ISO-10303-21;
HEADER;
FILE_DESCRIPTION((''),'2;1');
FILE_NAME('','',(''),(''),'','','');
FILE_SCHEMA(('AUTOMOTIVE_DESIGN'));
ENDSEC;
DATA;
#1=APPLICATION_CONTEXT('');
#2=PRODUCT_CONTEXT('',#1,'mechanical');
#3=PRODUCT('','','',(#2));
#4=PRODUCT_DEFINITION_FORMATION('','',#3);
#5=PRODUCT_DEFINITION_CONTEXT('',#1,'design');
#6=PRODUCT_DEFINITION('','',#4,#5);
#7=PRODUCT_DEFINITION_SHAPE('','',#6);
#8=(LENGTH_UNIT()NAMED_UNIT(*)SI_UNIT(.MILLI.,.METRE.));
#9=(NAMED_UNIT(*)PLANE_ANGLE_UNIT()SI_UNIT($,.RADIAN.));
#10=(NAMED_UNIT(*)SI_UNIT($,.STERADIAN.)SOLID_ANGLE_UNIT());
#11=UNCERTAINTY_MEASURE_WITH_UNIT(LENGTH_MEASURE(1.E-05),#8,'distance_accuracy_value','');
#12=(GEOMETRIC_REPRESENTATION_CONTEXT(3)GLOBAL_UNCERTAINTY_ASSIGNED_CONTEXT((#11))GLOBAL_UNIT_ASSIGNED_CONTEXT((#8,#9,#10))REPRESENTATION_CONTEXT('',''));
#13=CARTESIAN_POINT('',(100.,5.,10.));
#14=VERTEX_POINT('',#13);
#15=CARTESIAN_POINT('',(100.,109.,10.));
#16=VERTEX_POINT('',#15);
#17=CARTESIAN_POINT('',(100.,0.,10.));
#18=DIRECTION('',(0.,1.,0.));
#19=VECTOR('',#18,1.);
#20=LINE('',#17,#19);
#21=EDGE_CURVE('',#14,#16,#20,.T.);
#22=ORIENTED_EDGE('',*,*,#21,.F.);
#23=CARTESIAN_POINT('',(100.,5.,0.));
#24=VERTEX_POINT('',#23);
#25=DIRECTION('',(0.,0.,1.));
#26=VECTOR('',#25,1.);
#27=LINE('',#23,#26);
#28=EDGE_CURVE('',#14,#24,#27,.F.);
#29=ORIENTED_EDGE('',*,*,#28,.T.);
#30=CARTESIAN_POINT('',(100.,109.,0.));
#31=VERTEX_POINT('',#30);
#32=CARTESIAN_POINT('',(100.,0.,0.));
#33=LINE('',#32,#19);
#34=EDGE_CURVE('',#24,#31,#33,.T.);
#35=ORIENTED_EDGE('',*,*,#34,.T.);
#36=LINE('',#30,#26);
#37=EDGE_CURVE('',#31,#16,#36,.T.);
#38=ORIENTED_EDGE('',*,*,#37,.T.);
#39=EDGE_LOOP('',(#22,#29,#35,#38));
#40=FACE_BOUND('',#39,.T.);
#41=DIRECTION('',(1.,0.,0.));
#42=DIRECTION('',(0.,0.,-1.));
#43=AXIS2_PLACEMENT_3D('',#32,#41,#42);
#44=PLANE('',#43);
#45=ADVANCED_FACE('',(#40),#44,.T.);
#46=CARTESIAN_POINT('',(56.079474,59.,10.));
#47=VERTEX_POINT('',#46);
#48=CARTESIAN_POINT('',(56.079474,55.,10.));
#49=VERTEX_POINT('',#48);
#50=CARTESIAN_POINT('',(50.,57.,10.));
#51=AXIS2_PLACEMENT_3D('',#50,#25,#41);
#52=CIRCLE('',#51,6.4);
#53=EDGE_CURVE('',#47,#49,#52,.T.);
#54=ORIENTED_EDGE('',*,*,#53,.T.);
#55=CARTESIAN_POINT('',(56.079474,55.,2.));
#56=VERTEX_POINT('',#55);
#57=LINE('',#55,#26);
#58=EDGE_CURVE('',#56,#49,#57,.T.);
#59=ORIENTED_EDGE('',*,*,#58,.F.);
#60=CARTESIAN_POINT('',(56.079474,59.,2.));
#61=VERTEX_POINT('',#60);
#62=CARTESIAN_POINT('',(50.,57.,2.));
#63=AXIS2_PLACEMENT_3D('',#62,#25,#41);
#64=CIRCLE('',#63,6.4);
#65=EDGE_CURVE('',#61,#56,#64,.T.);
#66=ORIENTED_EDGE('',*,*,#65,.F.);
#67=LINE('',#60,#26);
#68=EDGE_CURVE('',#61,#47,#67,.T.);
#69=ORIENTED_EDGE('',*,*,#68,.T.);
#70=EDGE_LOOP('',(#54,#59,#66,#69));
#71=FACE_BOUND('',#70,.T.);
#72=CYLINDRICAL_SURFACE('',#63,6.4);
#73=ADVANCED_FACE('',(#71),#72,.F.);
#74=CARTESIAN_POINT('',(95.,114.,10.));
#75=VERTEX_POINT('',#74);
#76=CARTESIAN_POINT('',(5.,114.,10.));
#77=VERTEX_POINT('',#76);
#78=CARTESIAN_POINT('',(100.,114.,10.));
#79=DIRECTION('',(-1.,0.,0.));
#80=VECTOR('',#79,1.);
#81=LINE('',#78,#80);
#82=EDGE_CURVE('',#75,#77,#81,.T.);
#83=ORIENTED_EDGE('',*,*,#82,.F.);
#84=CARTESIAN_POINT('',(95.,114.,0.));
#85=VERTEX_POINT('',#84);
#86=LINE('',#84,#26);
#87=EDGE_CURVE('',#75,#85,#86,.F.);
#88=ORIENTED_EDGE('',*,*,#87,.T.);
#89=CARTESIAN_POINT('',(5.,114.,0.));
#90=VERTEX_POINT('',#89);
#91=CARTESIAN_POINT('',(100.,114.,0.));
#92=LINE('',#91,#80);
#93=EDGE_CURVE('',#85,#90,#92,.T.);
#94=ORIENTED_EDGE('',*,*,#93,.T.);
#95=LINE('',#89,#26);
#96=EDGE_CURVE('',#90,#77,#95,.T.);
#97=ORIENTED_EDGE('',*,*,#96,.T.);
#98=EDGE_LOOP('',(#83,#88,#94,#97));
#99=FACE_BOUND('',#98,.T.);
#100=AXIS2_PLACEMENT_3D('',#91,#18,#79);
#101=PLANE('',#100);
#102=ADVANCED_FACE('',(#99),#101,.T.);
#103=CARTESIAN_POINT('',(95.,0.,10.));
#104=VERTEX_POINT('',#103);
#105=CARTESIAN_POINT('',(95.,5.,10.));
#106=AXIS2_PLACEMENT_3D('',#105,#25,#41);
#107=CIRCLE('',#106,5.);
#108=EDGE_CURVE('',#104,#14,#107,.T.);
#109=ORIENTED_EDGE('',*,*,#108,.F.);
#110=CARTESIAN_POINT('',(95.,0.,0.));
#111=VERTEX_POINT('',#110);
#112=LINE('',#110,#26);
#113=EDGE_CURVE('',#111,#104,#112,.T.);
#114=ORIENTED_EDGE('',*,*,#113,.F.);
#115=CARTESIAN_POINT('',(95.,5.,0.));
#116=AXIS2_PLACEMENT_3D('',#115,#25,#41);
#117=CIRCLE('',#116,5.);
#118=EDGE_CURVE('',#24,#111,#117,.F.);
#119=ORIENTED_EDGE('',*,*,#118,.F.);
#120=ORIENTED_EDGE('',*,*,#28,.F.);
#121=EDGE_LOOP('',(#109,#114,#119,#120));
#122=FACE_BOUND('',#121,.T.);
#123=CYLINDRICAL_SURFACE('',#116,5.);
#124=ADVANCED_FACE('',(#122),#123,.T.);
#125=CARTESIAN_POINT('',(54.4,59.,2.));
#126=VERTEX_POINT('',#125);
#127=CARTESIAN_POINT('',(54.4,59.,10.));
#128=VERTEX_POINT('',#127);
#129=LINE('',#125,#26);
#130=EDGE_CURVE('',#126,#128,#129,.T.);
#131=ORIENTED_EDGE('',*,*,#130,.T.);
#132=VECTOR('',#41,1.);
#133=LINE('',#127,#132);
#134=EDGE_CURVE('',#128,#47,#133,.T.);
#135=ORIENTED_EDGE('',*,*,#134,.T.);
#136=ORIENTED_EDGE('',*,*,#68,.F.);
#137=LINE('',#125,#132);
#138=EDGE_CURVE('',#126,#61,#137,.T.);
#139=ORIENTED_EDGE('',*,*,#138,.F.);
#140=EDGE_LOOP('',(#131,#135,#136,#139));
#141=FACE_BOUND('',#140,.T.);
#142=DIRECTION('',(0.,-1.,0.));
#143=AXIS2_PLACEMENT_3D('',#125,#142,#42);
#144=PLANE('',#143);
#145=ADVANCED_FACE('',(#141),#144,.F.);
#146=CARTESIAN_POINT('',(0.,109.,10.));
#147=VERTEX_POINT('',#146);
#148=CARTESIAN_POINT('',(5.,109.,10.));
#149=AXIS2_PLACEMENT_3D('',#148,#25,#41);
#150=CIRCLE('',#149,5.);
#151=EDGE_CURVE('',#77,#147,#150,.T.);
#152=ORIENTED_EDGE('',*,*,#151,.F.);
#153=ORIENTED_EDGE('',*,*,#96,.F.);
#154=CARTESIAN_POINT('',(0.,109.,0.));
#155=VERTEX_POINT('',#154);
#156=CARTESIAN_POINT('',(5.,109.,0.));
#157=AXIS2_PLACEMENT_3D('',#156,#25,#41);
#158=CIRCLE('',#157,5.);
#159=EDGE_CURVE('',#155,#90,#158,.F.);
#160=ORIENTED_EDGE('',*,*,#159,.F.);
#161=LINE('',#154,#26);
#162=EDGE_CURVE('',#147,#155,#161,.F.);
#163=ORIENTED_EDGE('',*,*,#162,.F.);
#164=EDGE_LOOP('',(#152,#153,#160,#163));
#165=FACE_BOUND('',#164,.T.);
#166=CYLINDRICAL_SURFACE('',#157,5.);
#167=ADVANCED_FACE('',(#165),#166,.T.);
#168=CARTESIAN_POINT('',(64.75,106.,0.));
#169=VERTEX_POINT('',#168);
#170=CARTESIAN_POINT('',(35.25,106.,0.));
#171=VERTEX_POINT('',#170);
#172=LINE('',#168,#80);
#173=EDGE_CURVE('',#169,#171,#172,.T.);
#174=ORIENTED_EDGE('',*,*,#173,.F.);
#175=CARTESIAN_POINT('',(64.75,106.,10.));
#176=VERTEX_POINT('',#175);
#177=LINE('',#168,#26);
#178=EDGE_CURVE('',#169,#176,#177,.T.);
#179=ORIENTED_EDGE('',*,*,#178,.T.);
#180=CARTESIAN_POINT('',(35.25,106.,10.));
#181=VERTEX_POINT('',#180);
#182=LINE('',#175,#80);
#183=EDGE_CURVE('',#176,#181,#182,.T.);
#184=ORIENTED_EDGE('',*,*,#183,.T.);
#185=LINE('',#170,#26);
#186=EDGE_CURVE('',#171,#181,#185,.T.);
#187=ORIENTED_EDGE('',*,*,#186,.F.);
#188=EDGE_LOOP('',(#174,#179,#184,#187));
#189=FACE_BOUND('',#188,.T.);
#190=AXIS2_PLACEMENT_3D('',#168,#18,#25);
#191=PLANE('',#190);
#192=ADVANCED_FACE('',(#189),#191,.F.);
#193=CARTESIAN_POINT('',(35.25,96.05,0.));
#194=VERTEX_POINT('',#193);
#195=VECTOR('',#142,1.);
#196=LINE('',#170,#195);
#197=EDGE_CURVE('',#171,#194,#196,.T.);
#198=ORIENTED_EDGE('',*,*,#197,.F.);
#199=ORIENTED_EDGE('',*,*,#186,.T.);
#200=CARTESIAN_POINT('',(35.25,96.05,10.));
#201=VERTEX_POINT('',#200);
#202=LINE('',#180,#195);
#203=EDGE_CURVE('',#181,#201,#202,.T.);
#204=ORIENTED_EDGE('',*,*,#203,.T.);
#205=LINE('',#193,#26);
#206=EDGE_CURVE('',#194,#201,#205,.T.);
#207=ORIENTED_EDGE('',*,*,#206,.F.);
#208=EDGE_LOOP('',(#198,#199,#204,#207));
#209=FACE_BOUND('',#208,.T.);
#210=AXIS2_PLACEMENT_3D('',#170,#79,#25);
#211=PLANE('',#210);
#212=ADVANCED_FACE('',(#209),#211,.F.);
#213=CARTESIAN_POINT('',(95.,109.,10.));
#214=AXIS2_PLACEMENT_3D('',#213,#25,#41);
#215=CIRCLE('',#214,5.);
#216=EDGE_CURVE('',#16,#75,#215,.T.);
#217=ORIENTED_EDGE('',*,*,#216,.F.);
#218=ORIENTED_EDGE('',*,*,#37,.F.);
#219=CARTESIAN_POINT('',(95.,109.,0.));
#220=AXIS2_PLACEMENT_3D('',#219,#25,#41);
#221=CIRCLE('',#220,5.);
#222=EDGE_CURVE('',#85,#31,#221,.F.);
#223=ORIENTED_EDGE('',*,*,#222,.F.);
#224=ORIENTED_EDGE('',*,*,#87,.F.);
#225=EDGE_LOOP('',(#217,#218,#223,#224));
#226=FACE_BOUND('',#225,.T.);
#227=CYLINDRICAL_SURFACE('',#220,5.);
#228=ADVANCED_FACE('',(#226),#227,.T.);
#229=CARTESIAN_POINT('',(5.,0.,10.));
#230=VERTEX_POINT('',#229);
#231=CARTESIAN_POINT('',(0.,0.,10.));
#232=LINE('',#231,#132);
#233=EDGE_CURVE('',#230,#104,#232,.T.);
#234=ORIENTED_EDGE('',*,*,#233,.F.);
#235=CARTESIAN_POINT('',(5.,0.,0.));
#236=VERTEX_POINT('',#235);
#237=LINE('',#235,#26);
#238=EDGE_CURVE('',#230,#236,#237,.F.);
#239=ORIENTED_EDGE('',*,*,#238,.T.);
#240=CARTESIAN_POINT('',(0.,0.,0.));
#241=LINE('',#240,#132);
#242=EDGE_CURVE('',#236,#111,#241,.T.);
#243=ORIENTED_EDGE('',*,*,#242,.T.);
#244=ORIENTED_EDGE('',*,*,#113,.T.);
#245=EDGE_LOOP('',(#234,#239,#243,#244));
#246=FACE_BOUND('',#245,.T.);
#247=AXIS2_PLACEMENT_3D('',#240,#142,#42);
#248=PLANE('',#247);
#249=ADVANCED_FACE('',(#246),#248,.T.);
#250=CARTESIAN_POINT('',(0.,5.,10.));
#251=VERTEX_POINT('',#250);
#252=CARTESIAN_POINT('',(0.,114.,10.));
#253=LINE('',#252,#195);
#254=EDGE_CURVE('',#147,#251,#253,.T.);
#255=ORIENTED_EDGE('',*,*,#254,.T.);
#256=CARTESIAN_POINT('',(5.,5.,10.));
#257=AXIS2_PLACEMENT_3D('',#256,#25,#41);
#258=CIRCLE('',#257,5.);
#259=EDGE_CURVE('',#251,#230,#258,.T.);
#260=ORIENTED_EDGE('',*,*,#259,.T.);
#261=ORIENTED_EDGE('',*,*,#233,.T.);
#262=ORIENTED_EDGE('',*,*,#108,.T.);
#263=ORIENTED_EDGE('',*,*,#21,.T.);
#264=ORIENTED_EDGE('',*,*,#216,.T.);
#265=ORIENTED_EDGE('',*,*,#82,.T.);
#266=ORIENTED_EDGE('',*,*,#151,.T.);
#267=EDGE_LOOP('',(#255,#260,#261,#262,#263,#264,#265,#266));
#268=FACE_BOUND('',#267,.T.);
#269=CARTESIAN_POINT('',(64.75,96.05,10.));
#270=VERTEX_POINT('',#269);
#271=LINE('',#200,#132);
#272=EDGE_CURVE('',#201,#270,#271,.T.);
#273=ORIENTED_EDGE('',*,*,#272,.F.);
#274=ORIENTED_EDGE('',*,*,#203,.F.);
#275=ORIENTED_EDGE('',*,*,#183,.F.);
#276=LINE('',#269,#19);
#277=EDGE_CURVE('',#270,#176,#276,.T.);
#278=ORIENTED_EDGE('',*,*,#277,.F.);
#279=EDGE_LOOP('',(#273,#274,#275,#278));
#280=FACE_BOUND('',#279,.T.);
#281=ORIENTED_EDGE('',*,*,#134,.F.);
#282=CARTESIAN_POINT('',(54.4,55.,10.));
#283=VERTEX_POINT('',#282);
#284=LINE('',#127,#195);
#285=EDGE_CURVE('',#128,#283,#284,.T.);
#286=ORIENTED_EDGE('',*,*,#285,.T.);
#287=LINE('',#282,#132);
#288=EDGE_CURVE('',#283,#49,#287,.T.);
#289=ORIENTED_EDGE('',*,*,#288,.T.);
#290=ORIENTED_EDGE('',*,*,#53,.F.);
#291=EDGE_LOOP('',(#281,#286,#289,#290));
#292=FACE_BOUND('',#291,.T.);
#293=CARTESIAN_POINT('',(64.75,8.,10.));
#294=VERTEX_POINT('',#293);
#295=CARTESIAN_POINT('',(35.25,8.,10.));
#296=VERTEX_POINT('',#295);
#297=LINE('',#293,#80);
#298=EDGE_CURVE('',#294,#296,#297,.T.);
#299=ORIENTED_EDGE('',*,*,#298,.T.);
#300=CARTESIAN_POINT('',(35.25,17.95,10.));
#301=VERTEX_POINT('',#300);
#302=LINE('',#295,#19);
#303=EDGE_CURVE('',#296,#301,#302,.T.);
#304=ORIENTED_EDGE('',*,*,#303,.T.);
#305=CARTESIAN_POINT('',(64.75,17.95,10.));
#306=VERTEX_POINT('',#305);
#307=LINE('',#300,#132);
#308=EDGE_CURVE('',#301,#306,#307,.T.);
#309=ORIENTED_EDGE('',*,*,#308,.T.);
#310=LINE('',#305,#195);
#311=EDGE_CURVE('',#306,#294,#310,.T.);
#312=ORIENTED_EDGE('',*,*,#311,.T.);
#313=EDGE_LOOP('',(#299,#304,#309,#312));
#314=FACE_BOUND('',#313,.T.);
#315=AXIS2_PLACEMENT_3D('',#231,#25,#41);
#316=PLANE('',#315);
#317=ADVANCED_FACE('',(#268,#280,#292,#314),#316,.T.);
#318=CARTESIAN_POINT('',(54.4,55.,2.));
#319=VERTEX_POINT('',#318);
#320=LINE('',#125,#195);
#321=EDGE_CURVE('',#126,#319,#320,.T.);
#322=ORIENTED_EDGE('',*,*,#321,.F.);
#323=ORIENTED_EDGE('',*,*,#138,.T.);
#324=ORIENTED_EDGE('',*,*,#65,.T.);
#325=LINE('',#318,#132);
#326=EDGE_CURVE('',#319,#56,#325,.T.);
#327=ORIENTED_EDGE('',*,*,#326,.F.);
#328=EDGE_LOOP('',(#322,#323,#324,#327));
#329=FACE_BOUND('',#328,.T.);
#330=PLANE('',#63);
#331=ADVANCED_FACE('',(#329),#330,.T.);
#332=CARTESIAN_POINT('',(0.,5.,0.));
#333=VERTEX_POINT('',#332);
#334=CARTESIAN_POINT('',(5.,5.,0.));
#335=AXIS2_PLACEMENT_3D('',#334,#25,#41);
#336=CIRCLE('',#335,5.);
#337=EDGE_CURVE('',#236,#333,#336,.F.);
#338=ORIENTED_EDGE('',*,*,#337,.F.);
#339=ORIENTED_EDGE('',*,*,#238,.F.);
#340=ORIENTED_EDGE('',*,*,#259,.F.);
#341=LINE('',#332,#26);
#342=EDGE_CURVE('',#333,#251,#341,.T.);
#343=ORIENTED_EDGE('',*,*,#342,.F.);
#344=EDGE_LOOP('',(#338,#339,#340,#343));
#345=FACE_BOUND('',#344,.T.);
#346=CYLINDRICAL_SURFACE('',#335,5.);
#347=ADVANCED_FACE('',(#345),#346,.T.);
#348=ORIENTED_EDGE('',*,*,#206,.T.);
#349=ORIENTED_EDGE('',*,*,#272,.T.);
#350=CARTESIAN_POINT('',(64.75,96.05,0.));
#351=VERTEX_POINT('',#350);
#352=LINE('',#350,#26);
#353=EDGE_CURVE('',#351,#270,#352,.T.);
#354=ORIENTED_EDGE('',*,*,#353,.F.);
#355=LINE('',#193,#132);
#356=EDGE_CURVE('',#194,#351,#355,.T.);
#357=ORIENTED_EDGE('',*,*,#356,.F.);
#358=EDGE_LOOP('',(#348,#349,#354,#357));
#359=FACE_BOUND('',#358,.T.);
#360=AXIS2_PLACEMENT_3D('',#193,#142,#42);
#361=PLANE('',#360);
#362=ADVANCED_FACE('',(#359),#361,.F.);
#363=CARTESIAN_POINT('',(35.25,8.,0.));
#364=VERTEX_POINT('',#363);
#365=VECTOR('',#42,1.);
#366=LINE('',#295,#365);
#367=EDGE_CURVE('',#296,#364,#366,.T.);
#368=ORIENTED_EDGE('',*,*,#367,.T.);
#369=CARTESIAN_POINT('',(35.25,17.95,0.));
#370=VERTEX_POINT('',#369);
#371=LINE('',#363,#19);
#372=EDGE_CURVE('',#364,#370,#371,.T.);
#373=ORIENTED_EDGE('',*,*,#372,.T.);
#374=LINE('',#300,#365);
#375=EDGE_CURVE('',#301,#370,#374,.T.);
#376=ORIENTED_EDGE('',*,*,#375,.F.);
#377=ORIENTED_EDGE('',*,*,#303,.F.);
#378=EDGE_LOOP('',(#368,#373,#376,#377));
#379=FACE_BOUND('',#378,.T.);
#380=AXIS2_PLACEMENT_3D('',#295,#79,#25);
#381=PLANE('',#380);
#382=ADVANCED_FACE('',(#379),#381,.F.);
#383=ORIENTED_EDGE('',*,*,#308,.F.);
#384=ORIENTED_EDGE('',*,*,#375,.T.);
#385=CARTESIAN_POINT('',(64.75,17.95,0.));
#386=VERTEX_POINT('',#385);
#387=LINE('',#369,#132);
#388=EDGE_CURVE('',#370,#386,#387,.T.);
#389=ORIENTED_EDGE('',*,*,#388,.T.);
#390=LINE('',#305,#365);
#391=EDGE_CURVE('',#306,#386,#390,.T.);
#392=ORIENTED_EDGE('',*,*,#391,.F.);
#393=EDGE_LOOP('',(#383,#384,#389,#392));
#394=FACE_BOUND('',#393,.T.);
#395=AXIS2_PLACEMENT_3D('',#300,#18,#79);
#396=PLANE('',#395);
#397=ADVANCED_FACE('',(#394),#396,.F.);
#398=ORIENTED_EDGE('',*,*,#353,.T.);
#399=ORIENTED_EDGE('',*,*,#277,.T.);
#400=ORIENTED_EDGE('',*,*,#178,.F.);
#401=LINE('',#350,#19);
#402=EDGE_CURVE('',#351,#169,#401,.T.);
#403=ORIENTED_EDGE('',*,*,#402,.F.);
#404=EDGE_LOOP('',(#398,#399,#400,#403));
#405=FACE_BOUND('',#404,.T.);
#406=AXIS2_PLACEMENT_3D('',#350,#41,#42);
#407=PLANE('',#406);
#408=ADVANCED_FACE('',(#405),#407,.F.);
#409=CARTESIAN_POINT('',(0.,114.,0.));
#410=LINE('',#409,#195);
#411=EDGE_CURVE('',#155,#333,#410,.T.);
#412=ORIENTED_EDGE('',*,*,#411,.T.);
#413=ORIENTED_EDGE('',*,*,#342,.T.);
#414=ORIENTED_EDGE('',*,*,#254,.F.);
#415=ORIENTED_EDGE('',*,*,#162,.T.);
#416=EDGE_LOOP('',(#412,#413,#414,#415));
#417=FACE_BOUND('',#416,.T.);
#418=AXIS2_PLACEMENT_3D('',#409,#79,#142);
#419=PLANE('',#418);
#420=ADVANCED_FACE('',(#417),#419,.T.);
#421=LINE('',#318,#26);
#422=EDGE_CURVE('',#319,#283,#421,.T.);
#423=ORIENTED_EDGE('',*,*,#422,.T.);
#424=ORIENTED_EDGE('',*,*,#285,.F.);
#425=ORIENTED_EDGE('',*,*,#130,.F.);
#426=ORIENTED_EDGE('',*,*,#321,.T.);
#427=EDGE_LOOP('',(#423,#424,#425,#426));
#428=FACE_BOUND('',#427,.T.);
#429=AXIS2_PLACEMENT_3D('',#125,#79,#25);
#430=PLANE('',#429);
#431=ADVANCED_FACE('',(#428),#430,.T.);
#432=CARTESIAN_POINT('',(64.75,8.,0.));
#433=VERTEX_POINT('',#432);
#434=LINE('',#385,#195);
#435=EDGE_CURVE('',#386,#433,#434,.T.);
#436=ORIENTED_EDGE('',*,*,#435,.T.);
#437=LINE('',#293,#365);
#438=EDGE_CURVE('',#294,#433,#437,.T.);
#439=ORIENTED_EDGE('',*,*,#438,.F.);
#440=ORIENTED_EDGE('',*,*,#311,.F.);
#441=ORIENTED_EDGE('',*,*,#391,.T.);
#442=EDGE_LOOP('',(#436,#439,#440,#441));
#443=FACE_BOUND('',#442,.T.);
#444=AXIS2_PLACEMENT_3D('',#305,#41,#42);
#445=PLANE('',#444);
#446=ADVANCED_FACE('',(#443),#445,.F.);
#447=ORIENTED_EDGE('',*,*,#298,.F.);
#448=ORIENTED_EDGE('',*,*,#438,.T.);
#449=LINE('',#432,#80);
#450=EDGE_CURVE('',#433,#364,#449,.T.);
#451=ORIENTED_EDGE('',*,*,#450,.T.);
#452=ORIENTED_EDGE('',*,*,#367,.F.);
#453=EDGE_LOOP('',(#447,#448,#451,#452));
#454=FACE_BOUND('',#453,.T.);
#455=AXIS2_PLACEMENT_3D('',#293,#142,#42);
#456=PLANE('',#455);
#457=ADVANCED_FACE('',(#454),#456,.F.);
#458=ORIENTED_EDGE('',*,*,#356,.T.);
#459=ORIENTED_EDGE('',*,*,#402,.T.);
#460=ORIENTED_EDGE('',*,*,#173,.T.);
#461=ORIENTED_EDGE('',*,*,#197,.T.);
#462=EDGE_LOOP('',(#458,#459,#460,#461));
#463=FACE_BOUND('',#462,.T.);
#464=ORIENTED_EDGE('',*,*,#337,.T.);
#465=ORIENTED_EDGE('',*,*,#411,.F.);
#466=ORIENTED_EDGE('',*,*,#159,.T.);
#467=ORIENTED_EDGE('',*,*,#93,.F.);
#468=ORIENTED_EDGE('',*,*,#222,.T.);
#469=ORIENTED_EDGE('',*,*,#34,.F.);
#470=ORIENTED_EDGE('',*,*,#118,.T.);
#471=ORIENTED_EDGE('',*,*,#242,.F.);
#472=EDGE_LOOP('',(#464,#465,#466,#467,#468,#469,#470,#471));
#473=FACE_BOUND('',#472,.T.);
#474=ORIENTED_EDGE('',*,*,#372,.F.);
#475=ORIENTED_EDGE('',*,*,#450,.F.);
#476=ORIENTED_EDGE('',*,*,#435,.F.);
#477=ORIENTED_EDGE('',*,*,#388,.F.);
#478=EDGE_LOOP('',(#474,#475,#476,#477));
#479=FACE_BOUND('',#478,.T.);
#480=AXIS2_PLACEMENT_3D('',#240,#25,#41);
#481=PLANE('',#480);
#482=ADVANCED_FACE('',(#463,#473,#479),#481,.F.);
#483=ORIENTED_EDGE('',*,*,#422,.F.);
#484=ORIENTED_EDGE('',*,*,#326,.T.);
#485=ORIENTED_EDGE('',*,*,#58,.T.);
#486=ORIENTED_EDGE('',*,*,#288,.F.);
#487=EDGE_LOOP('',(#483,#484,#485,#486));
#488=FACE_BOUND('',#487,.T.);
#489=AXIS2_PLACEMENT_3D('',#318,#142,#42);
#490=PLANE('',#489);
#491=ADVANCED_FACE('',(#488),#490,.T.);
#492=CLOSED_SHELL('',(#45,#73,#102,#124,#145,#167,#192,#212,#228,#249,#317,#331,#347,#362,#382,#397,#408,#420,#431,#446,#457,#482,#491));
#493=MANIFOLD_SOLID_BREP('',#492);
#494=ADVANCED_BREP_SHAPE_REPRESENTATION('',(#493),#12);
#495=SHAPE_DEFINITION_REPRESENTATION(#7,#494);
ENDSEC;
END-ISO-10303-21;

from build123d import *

# Parameters (mm, degrees)
IZIM1_W                     = 100
IZIM1_H                     = 114
Y_KSEKLIK_EKSTR_ZYON1_DEPTH = 10
IZIM2_W                     = 29.5
IZIM2_H                     = 9.95
KES_EKSTR_ZYON1_DEPTH       = 152.973681932
IZIM3_W                     = 29.5
IZIM3_H                     = 9.95
KES_EKSTR_ZYON2_DEPTH       = 152.973681932
RADYUS1_R                   = 5
KES_EKSTR_ZYON3_DEPTH       = 8


with BuildPart() as part:
    # Çizim1 → Yükseklik-Ekstrüzyon1 (new body)
    with BuildSketch(Plane.XY.offset(10)):
        with Locations((50, 57)):
            Rectangle(IZIM1_W, IZIM1_H)
    extrude(amount=-Y_KSEKLIK_EKSTR_ZYON1_DEPTH)

    # Çizim2 → Kes-Ekstrüzyon1 (cut, through all)
    with BuildSketch(Plane.XY.offset(10)):
        with Locations((50, 101.025)):
            Rectangle(IZIM2_W, IZIM2_H)
    extrude(amount=-KES_EKSTR_ZYON1_DEPTH, mode=Mode.SUBTRACT)

    # Çizim3 → Kes-Ekstrüzyon2 (cut, through all)
    with BuildSketch(Plane(origin=(0, 0, 0), x_dir=(-1, 0, 0), z_dir=(0, 0, -1))):
        with Locations((-50, 12.975)):
            Rectangle(IZIM3_W, IZIM3_H)
    extrude(amount=-KES_EKSTR_ZYON2_DEPTH, mode=Mode.SUBTRACT)

    # Radyus1
    radyus1_edges = [part.edges().sort_by_distance(p)[0] for p in [
        (0, 114, 5),
        (100, 114, 5),
        (100, 0, 5),
        (0, 0, 5),
    ]]
    fillet(radyus1_edges, radius=RADYUS1_R)

    # Çizim14 → Kes-Ekstrüzyon3 (cut)
    with BuildSketch(Plane.XY.offset(10)):
        with BuildLine():
            Line((54.4, 59), (54.4, 55))
            Line((54.4, 55), (56.079473661, 55))
            ThreePointArc((56.079473661, 55), (43.6, 57), (56.079473661, 59))
            Line((56.079473661, 59), (54.4, 59))
        make_face()
    extrude(amount=-KES_EKSTR_ZYON3_DEPTH, mode=Mode.SUBTRACT)


solid = part.part
